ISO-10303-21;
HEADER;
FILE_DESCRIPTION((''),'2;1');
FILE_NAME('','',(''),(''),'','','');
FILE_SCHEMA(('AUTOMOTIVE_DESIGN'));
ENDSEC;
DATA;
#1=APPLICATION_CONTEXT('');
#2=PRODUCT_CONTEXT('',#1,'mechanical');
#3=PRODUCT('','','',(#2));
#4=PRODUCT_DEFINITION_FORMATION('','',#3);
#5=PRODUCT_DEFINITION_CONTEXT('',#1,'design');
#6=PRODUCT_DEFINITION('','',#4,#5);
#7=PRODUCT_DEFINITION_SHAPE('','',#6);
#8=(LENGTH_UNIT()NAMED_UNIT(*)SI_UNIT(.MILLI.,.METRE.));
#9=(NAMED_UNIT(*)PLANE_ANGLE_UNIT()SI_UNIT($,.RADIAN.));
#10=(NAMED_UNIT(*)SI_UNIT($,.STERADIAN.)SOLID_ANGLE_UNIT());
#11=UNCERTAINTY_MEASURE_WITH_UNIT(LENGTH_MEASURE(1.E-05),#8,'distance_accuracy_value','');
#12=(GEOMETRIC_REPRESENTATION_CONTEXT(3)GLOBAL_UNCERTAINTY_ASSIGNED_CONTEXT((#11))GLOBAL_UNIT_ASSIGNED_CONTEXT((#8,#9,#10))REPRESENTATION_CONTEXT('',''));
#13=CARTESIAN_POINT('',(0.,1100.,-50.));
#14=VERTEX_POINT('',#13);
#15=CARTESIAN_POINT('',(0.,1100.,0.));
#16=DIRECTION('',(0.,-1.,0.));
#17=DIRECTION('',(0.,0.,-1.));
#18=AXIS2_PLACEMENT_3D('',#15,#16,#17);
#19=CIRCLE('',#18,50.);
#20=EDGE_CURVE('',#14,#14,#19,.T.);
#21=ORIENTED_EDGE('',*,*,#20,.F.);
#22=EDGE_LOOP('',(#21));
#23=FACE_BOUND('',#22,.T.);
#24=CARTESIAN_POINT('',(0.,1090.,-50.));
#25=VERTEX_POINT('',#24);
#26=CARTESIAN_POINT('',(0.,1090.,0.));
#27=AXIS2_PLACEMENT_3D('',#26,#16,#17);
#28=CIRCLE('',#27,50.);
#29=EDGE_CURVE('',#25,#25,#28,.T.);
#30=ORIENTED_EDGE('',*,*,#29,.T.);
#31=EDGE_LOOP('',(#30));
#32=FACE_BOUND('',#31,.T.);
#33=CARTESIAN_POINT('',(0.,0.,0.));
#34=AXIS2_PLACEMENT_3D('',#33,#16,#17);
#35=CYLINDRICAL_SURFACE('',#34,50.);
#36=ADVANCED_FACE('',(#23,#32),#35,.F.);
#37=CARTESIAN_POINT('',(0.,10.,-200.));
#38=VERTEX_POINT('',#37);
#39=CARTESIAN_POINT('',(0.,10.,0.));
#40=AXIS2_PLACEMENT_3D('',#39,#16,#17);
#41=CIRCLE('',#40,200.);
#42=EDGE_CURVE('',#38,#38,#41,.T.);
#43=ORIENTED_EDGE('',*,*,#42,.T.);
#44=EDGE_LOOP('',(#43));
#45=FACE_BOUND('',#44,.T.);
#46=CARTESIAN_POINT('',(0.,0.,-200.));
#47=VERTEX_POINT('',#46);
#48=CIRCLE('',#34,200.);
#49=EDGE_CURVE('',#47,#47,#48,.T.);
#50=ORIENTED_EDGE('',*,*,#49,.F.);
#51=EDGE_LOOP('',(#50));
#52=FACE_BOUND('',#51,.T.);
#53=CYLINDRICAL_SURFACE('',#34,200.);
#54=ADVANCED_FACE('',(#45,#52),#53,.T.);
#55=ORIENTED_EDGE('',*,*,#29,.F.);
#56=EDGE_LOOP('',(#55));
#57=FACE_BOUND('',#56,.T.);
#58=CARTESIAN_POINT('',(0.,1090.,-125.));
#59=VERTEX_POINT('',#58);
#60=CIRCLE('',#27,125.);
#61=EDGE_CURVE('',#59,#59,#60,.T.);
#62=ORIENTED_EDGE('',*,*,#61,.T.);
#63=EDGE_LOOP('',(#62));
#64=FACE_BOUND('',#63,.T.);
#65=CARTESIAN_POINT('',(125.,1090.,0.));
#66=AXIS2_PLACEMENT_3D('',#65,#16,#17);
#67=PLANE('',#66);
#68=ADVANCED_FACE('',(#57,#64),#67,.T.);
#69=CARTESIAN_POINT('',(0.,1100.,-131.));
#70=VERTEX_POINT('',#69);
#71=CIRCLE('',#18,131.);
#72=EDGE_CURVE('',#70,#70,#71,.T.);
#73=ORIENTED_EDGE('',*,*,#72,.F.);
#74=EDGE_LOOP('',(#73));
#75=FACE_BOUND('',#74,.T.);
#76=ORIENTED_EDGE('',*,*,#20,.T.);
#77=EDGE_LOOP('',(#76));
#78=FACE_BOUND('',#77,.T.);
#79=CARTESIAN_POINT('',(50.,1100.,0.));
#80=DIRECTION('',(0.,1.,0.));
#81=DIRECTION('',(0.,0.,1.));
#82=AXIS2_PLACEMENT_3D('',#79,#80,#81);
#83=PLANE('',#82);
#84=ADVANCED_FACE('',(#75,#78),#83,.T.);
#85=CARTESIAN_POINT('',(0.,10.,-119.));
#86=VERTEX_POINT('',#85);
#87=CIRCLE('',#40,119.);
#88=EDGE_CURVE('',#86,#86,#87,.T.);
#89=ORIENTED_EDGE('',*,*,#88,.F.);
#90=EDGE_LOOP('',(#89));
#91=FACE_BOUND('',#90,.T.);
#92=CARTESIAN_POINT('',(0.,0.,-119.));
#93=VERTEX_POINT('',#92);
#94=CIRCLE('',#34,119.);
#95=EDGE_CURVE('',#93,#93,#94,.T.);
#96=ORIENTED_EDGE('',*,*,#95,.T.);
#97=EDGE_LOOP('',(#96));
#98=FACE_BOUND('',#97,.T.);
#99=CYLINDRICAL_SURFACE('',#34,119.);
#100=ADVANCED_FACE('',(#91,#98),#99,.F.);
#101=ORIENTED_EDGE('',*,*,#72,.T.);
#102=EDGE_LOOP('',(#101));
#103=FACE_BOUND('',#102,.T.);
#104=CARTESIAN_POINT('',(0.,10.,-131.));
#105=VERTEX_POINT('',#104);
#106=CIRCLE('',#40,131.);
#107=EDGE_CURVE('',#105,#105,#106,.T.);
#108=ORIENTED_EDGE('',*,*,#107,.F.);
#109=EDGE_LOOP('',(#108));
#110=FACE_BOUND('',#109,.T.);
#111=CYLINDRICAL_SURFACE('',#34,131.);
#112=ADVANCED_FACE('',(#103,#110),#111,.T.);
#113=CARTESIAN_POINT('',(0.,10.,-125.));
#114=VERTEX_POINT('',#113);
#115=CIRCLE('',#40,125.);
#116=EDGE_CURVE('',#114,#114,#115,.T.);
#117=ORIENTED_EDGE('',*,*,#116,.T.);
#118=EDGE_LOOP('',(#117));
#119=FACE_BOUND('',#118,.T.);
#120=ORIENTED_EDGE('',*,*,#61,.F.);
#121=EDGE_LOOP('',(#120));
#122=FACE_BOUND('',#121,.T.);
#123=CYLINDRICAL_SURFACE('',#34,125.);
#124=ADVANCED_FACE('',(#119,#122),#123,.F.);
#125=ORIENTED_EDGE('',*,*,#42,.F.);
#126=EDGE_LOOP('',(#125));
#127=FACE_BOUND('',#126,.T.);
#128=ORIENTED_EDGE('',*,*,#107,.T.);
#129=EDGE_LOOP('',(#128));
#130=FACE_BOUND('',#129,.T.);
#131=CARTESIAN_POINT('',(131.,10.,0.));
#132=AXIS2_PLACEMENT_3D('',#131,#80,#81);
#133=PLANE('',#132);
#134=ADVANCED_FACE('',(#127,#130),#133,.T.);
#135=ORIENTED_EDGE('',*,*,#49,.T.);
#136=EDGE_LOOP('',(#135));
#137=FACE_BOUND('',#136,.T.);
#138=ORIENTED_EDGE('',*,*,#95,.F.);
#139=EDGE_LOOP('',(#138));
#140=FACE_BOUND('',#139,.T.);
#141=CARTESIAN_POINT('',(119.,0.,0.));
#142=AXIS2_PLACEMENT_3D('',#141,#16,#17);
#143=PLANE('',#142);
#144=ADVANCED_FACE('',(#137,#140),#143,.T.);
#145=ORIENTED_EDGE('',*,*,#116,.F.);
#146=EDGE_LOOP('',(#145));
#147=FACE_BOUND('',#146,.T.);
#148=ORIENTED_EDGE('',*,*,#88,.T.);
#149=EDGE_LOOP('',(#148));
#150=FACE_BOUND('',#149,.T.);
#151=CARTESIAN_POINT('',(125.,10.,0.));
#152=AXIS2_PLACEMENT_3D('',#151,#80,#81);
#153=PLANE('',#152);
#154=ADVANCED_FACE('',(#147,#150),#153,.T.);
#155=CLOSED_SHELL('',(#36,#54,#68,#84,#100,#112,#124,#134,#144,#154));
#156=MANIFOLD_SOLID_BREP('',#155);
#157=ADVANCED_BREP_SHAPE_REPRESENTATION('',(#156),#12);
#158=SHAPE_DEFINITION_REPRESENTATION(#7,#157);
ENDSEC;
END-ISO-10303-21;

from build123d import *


with BuildPart() as part:
    # Esboço1 → Revolução1 (revolve)
    with BuildSketch(Plane.XY):
        Polygon((50, 1100), (131, 1100), (131, 10), (200, 10), (200, 0), (119, 0), (119, 10), (125, 10), (125, 1090), (50, 1090), align=None)
    revolve(axis=Axis((0, 0, 0), (0, 1, 0)))


solid = part.part
